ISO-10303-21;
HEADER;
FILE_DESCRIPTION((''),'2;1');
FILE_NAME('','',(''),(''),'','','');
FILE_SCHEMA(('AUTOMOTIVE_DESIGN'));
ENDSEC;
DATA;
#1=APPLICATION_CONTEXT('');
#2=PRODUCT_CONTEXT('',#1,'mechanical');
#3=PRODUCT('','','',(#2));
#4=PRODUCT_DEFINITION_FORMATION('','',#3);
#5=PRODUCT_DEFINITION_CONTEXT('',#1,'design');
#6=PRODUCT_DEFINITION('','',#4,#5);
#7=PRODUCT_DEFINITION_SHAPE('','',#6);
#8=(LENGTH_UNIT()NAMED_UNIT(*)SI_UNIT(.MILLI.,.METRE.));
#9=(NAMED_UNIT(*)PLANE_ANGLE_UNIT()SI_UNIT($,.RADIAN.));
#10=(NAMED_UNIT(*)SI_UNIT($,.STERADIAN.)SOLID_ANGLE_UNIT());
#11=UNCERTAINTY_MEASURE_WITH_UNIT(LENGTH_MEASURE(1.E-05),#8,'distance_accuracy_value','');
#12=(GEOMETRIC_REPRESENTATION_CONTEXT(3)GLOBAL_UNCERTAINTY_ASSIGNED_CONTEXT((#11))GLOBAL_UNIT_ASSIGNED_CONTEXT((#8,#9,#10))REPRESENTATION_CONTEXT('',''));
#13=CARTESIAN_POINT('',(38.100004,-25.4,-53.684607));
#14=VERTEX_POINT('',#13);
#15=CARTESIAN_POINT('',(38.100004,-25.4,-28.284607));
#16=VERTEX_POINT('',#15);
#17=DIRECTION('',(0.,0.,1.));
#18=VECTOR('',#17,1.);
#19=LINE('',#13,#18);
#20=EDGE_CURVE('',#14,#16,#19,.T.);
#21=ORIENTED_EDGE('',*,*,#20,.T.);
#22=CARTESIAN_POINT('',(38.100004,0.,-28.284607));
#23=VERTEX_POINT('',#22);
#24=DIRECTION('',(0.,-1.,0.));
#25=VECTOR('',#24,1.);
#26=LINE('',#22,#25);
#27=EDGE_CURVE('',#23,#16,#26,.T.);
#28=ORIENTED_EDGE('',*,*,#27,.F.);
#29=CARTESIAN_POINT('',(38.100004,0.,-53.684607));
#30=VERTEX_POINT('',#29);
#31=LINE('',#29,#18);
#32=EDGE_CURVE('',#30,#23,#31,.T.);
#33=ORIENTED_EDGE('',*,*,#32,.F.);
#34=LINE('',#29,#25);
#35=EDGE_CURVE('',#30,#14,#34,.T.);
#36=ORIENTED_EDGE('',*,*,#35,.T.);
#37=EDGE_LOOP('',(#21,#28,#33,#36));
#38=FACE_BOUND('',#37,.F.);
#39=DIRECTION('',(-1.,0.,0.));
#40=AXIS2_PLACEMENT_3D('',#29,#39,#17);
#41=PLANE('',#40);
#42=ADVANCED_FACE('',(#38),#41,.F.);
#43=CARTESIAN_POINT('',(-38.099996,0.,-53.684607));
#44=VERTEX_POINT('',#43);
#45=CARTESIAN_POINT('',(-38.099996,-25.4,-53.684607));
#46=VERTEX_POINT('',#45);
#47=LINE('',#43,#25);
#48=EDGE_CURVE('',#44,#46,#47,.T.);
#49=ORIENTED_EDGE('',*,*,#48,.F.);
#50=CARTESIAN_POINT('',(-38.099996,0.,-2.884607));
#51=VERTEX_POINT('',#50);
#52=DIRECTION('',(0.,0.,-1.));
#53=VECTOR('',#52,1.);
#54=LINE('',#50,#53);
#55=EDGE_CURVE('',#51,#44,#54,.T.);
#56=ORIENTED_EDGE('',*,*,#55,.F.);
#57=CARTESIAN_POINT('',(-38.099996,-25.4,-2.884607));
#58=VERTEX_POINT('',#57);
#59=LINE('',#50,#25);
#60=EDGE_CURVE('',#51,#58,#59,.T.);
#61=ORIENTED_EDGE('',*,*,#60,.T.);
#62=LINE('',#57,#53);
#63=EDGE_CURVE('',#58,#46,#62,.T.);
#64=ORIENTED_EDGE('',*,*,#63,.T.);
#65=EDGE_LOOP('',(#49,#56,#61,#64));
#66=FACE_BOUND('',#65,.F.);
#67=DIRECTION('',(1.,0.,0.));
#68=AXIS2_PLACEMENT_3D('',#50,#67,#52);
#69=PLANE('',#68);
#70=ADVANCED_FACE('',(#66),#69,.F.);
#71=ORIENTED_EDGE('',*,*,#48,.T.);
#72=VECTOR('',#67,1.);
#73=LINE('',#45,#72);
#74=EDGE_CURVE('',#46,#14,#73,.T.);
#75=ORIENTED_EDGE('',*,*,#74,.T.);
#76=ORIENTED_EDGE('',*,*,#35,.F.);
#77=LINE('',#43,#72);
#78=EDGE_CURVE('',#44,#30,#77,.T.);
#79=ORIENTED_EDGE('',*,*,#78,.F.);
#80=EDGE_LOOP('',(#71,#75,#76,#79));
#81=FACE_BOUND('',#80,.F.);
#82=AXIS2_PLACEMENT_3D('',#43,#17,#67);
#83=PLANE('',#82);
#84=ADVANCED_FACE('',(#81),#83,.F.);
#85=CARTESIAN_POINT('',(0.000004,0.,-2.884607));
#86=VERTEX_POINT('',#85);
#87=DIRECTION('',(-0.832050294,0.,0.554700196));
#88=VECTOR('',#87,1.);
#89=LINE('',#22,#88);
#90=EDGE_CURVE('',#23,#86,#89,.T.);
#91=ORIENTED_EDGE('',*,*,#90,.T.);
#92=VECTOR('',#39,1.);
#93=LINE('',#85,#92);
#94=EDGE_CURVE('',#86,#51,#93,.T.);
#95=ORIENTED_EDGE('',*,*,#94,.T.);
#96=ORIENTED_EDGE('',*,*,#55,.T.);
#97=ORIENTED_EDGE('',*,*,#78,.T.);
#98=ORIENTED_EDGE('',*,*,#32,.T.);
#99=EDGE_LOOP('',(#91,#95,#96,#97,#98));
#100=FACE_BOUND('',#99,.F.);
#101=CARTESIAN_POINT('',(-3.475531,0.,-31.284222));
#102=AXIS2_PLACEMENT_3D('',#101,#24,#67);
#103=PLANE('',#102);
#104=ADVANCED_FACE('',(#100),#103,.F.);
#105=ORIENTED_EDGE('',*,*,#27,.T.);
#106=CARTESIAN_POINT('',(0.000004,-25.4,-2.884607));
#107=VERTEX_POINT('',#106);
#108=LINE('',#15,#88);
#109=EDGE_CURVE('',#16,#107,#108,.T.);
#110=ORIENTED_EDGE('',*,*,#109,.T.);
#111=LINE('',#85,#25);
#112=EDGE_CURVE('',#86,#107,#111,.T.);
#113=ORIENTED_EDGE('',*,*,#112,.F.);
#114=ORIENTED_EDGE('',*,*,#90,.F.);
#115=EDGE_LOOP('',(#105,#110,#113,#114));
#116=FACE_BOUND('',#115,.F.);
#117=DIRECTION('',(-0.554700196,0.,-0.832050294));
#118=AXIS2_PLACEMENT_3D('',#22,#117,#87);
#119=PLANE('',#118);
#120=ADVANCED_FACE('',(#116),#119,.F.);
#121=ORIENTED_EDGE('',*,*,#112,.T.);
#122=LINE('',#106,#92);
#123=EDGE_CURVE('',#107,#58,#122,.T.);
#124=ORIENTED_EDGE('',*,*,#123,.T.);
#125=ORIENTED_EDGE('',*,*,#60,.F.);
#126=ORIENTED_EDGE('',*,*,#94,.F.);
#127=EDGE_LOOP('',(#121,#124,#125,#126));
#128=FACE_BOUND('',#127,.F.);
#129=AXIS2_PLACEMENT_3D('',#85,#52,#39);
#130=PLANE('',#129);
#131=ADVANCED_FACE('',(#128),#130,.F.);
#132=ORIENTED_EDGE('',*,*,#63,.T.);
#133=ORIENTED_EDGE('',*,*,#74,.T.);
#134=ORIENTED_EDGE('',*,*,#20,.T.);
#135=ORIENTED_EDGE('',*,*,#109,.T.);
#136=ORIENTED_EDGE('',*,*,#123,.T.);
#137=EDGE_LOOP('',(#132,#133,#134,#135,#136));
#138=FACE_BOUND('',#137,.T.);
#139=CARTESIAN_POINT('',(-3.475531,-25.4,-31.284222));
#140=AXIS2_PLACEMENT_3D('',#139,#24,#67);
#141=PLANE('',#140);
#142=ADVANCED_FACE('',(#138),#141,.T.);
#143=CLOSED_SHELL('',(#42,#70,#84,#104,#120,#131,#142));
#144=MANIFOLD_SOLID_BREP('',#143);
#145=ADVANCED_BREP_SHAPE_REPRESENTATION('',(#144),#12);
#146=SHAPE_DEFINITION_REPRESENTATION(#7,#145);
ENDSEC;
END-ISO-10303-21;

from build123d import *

# Parameters (mm, degrees)
F1_DEPTH = 25.4


with BuildPart() as f1:
    # F0 (on Front) → F1 (new body)
    with BuildSketch(Plane.XZ):
        Polygon((-38.099996, -2.884607), (-38.099996, -53.684607), (38.100004, -53.684607), (38.100004, -28.284607), (4e-06, -2.884607), align=None)
    extrude(amount=F1_DEPTH)


solid = f1.part
